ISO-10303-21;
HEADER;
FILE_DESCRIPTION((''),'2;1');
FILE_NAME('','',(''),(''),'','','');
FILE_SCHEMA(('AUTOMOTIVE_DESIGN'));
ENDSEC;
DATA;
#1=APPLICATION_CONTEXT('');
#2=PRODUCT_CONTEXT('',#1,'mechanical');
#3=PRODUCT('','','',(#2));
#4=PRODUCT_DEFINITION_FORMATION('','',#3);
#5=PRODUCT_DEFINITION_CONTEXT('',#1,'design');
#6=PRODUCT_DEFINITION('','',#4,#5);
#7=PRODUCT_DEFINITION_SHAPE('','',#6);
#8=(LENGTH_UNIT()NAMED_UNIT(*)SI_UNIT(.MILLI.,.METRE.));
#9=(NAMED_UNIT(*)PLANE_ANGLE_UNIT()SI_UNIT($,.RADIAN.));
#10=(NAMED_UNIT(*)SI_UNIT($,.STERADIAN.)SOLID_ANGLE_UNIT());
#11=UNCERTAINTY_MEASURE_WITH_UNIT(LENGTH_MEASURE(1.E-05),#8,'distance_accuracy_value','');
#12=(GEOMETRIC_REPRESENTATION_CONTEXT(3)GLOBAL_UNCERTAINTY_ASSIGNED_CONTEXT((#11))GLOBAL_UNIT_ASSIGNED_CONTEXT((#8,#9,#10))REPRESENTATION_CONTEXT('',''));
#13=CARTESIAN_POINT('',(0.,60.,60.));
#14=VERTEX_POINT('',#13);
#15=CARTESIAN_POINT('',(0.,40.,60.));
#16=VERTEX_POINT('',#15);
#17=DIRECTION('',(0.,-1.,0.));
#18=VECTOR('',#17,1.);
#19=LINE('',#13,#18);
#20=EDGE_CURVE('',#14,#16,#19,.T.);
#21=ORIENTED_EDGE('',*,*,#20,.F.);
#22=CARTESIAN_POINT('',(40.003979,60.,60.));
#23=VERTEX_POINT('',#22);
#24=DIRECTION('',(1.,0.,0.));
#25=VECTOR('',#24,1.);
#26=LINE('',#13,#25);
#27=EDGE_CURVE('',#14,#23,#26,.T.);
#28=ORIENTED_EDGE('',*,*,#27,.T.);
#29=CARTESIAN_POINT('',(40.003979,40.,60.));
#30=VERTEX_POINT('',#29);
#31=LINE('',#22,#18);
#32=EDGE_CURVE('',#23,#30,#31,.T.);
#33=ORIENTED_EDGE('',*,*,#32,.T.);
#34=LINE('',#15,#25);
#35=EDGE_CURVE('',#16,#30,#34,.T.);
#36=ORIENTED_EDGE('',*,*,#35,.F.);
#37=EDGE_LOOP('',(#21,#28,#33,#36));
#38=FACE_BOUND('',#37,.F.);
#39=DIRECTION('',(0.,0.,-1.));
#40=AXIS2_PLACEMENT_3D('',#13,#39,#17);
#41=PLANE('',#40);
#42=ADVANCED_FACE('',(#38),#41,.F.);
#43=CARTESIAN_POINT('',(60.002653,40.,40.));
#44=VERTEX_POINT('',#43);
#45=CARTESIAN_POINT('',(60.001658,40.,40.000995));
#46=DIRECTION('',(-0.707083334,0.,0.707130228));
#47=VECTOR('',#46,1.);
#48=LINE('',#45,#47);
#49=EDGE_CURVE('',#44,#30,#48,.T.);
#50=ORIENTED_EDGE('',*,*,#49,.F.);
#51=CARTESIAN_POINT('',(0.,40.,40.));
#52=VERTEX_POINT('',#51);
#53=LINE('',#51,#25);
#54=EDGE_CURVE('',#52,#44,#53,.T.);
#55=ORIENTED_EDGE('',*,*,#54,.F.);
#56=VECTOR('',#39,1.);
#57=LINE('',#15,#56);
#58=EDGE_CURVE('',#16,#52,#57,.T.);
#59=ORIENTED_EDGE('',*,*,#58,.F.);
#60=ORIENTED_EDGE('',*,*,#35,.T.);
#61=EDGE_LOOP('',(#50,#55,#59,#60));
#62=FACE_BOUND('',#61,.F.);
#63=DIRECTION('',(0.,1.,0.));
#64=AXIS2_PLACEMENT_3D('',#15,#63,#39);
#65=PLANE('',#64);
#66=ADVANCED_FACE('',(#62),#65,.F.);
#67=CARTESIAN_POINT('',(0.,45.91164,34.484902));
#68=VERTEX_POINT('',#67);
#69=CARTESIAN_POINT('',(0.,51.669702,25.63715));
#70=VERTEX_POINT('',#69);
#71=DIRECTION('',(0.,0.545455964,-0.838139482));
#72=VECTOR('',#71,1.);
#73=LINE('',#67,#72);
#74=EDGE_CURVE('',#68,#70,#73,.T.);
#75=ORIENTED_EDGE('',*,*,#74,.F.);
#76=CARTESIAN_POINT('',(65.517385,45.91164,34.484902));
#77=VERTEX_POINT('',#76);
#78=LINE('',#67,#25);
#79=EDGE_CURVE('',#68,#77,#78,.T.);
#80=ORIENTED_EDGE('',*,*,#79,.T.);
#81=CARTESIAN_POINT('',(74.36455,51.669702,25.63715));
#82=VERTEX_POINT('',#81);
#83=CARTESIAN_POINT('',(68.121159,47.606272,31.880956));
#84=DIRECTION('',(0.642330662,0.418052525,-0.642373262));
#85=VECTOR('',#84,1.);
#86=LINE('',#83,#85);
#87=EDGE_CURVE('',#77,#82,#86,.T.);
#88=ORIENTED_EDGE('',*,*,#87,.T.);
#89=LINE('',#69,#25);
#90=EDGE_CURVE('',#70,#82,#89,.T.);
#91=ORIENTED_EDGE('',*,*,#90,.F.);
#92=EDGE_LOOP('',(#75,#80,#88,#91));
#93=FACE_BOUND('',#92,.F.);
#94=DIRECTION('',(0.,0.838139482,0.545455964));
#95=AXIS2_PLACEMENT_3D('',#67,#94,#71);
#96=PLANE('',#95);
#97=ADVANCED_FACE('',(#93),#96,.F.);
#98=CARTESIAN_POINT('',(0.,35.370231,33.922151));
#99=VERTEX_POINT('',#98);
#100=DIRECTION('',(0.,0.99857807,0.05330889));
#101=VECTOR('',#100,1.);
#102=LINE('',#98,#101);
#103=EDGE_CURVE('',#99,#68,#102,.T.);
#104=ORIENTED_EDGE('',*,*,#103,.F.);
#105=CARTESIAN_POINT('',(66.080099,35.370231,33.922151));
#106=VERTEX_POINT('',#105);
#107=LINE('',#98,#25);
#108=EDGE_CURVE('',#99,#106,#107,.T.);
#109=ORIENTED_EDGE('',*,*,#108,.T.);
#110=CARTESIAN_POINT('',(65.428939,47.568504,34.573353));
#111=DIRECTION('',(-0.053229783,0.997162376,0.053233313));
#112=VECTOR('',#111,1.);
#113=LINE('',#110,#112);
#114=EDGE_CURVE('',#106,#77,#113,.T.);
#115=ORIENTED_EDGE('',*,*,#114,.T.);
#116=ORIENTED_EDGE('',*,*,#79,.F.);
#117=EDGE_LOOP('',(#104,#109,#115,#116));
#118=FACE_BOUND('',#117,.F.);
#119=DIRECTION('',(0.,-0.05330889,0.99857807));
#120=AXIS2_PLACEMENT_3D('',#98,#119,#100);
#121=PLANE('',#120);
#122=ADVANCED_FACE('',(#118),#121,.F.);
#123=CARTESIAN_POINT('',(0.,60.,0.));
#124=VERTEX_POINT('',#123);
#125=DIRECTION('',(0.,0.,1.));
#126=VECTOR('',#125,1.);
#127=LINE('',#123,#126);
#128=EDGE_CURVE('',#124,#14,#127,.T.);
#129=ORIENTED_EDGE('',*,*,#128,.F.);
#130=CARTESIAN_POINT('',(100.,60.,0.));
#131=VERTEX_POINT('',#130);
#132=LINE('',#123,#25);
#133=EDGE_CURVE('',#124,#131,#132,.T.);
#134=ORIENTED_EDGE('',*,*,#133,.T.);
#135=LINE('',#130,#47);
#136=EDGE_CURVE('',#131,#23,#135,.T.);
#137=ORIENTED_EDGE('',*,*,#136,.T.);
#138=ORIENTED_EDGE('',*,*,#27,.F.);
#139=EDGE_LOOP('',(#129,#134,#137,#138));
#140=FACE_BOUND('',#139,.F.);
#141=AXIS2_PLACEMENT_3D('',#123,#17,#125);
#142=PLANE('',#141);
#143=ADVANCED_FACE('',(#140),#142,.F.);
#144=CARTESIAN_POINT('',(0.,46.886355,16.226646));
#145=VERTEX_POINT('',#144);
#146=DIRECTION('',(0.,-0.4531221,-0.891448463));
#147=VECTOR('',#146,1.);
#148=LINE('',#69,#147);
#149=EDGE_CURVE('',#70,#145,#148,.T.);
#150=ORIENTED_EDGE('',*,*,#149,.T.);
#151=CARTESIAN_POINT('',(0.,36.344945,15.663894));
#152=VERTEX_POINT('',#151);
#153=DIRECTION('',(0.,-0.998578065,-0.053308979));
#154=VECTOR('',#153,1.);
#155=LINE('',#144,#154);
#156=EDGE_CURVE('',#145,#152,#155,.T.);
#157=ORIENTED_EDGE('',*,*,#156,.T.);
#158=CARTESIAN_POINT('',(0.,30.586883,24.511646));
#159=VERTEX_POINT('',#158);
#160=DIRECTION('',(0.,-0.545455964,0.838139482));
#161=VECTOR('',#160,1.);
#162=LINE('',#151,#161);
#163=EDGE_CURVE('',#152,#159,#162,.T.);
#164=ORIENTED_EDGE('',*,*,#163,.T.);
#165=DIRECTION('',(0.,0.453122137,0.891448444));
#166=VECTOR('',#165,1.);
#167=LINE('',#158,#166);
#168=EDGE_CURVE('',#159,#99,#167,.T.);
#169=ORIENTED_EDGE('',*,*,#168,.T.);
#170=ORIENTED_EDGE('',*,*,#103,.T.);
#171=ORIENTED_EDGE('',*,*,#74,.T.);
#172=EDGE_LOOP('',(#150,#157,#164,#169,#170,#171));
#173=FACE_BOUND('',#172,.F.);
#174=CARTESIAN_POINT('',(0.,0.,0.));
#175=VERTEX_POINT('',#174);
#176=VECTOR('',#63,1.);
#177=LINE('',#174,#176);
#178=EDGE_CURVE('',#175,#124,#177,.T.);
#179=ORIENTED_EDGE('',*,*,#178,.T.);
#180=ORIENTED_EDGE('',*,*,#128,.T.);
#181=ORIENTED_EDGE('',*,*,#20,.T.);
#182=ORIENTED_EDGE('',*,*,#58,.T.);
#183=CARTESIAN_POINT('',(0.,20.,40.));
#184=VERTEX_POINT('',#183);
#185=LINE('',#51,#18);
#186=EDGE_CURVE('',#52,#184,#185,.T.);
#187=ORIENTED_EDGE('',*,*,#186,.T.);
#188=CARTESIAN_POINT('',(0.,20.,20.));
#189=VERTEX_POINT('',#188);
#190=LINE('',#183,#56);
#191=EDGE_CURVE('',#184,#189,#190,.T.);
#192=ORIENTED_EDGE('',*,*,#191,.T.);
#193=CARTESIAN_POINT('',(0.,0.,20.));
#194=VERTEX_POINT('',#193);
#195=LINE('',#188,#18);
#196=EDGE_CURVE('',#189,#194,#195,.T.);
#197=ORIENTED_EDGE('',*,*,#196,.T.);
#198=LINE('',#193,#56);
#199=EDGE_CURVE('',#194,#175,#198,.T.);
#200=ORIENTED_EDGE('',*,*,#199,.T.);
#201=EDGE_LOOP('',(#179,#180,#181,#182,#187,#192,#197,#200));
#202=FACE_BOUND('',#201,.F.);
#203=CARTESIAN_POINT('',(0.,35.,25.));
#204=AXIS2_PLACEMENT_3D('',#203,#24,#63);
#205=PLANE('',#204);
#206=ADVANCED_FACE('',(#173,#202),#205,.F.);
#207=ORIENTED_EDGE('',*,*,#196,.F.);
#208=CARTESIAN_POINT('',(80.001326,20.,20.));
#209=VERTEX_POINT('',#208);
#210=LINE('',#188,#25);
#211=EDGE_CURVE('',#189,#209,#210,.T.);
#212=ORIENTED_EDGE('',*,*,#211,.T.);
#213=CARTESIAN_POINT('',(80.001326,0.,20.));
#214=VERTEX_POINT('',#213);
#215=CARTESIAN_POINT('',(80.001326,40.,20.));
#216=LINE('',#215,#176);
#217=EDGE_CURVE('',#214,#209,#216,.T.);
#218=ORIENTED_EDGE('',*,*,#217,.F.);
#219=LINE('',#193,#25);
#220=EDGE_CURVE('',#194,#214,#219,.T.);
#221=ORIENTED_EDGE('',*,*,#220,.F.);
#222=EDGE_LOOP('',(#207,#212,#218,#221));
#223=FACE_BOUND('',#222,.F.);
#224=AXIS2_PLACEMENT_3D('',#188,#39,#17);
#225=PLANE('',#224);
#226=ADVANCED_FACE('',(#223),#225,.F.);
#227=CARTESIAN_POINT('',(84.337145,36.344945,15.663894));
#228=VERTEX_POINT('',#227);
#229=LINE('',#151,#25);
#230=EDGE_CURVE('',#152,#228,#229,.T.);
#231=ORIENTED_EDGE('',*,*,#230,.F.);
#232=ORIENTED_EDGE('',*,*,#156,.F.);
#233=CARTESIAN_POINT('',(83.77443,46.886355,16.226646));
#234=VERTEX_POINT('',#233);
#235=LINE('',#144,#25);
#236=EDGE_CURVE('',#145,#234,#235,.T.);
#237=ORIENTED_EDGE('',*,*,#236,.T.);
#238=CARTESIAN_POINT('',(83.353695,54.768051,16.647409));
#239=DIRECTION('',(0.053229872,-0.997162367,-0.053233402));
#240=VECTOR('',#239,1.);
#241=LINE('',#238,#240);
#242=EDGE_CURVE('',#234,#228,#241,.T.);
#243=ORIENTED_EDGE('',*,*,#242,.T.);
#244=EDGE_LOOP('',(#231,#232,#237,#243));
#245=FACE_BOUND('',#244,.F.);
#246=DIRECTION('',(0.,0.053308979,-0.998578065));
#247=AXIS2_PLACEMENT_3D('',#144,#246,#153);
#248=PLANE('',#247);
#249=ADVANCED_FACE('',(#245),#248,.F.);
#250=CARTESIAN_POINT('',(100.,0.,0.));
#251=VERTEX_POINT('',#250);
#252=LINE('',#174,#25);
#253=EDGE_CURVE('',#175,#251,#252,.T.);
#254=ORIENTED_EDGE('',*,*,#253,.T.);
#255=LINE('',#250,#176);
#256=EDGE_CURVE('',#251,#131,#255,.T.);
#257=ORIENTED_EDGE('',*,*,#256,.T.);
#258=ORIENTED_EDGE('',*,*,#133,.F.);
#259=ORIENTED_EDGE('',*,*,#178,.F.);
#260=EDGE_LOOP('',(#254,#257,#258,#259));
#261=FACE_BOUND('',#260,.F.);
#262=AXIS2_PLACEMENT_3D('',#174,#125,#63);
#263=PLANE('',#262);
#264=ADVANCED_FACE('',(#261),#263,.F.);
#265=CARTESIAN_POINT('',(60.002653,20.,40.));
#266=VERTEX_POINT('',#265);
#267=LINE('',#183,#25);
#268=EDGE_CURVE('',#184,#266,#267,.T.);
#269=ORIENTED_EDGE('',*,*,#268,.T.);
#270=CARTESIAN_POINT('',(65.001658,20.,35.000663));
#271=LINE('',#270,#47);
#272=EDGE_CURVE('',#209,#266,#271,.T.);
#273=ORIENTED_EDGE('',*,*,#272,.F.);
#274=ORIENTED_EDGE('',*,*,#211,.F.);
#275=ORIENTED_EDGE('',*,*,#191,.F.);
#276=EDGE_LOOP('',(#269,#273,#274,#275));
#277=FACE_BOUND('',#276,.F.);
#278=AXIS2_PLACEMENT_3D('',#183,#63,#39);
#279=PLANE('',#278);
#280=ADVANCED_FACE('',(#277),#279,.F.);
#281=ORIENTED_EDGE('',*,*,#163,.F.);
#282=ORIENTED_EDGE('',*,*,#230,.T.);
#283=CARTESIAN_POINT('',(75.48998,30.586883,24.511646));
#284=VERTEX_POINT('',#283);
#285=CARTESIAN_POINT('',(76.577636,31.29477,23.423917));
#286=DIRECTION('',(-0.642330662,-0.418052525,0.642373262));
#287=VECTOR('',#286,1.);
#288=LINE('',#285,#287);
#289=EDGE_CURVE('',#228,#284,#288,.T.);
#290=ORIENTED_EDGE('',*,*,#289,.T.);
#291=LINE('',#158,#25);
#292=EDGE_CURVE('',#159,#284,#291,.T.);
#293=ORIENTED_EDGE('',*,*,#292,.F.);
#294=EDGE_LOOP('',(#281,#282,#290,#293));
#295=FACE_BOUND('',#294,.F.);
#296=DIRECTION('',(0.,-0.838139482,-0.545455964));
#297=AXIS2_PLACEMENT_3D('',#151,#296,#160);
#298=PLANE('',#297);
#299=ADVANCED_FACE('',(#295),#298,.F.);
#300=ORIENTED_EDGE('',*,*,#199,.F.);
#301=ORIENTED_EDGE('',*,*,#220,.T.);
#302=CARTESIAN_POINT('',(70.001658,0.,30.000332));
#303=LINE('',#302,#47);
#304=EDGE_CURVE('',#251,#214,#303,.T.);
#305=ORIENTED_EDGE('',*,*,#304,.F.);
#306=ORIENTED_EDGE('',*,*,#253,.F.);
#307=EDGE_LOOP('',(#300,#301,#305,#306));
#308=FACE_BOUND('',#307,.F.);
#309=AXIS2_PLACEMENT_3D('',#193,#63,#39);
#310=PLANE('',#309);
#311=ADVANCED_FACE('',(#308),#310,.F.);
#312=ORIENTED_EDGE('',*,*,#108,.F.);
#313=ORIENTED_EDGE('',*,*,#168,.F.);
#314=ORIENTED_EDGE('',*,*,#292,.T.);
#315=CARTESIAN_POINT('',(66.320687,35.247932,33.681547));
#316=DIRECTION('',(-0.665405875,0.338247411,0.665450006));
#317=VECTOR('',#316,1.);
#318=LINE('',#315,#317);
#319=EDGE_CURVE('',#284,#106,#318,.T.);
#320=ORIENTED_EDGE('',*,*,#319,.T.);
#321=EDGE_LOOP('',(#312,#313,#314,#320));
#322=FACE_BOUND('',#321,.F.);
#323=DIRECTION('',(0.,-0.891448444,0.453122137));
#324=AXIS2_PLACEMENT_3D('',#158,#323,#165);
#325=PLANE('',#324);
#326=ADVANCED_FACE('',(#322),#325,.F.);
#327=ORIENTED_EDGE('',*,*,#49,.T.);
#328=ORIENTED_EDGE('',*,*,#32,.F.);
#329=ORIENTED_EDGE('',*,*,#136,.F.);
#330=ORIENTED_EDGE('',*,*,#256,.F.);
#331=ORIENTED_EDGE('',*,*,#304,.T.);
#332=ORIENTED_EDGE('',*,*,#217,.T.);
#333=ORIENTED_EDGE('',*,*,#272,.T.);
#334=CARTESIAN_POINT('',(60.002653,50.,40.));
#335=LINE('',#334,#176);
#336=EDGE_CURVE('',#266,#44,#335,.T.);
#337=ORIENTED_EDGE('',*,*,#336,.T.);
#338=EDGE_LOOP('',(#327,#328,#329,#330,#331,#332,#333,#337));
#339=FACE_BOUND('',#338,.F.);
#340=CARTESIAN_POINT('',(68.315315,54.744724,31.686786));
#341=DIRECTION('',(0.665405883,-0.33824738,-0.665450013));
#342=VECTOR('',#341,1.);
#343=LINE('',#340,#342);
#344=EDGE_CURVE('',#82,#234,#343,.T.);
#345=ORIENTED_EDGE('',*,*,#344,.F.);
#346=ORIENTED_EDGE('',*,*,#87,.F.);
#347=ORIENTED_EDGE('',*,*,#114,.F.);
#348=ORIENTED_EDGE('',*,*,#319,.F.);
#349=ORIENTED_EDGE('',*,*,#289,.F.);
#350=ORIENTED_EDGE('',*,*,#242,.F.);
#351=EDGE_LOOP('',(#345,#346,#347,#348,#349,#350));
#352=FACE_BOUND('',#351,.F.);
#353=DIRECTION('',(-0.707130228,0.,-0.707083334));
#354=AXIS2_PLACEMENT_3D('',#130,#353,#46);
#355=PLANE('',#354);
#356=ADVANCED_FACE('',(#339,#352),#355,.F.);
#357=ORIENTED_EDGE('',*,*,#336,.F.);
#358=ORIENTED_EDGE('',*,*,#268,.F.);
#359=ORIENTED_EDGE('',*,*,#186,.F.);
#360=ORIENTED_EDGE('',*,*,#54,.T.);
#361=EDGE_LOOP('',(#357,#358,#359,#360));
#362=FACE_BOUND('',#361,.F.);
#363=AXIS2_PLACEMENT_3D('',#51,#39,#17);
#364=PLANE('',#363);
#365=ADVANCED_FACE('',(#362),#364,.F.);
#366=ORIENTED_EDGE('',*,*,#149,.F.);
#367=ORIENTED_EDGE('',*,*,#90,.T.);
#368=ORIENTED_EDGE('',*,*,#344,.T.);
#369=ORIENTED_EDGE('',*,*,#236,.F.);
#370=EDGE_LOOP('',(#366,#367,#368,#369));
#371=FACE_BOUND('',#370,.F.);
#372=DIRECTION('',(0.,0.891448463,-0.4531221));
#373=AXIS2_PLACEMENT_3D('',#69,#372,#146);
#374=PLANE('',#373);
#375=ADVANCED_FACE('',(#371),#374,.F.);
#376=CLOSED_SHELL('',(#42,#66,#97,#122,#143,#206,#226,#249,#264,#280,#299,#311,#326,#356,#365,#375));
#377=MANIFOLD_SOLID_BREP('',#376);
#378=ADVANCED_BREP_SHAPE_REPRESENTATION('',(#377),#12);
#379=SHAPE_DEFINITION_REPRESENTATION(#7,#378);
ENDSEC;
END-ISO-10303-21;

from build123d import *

# Parameters (mm, degrees)
F1_DEPTH = 100
F3_DEPTH = 60.001
F5_DEPTH = 100.001


with BuildPart() as f1:
    # F0 (on Right) → F1 (new body)
    with BuildSketch(Plane.YZ):
        Polygon((0, 20), (0, 0), (60, 0), (60, 60), (40, 60), (40, 40), (20, 40), (20, 20), align=None)
    extrude(amount=F1_DEPTH)

    # F2 (on face) → F3 (cut, through all)
    with BuildSketch(Plane(origin=(0, 60, 0), x_dir=(-1, 0, 0), z_dir=(0, 1, 0))):
        Polygon((-100, 60), (-100, 0), (-40.003979, 60), align=None)
    extrude(amount=-F3_DEPTH, mode=Mode.SUBTRACT)

    # F4 (on face) → F5 (cut, through all)
    with BuildSketch(Plane(origin=(0, 0, 0), x_dir=(0, -1, 0), z_dir=(-1, 0, 0))):
        Polygon((-30.586883, 24.511646), (-35.370231, 33.922151), (-45.91164, 34.484902), (-51.669702, 25.63715), (-46.886355, 16.226646), (-36.344945, 15.663894), align=None)
    extrude(amount=-F5_DEPTH, mode=Mode.SUBTRACT)


solid = f1.part
